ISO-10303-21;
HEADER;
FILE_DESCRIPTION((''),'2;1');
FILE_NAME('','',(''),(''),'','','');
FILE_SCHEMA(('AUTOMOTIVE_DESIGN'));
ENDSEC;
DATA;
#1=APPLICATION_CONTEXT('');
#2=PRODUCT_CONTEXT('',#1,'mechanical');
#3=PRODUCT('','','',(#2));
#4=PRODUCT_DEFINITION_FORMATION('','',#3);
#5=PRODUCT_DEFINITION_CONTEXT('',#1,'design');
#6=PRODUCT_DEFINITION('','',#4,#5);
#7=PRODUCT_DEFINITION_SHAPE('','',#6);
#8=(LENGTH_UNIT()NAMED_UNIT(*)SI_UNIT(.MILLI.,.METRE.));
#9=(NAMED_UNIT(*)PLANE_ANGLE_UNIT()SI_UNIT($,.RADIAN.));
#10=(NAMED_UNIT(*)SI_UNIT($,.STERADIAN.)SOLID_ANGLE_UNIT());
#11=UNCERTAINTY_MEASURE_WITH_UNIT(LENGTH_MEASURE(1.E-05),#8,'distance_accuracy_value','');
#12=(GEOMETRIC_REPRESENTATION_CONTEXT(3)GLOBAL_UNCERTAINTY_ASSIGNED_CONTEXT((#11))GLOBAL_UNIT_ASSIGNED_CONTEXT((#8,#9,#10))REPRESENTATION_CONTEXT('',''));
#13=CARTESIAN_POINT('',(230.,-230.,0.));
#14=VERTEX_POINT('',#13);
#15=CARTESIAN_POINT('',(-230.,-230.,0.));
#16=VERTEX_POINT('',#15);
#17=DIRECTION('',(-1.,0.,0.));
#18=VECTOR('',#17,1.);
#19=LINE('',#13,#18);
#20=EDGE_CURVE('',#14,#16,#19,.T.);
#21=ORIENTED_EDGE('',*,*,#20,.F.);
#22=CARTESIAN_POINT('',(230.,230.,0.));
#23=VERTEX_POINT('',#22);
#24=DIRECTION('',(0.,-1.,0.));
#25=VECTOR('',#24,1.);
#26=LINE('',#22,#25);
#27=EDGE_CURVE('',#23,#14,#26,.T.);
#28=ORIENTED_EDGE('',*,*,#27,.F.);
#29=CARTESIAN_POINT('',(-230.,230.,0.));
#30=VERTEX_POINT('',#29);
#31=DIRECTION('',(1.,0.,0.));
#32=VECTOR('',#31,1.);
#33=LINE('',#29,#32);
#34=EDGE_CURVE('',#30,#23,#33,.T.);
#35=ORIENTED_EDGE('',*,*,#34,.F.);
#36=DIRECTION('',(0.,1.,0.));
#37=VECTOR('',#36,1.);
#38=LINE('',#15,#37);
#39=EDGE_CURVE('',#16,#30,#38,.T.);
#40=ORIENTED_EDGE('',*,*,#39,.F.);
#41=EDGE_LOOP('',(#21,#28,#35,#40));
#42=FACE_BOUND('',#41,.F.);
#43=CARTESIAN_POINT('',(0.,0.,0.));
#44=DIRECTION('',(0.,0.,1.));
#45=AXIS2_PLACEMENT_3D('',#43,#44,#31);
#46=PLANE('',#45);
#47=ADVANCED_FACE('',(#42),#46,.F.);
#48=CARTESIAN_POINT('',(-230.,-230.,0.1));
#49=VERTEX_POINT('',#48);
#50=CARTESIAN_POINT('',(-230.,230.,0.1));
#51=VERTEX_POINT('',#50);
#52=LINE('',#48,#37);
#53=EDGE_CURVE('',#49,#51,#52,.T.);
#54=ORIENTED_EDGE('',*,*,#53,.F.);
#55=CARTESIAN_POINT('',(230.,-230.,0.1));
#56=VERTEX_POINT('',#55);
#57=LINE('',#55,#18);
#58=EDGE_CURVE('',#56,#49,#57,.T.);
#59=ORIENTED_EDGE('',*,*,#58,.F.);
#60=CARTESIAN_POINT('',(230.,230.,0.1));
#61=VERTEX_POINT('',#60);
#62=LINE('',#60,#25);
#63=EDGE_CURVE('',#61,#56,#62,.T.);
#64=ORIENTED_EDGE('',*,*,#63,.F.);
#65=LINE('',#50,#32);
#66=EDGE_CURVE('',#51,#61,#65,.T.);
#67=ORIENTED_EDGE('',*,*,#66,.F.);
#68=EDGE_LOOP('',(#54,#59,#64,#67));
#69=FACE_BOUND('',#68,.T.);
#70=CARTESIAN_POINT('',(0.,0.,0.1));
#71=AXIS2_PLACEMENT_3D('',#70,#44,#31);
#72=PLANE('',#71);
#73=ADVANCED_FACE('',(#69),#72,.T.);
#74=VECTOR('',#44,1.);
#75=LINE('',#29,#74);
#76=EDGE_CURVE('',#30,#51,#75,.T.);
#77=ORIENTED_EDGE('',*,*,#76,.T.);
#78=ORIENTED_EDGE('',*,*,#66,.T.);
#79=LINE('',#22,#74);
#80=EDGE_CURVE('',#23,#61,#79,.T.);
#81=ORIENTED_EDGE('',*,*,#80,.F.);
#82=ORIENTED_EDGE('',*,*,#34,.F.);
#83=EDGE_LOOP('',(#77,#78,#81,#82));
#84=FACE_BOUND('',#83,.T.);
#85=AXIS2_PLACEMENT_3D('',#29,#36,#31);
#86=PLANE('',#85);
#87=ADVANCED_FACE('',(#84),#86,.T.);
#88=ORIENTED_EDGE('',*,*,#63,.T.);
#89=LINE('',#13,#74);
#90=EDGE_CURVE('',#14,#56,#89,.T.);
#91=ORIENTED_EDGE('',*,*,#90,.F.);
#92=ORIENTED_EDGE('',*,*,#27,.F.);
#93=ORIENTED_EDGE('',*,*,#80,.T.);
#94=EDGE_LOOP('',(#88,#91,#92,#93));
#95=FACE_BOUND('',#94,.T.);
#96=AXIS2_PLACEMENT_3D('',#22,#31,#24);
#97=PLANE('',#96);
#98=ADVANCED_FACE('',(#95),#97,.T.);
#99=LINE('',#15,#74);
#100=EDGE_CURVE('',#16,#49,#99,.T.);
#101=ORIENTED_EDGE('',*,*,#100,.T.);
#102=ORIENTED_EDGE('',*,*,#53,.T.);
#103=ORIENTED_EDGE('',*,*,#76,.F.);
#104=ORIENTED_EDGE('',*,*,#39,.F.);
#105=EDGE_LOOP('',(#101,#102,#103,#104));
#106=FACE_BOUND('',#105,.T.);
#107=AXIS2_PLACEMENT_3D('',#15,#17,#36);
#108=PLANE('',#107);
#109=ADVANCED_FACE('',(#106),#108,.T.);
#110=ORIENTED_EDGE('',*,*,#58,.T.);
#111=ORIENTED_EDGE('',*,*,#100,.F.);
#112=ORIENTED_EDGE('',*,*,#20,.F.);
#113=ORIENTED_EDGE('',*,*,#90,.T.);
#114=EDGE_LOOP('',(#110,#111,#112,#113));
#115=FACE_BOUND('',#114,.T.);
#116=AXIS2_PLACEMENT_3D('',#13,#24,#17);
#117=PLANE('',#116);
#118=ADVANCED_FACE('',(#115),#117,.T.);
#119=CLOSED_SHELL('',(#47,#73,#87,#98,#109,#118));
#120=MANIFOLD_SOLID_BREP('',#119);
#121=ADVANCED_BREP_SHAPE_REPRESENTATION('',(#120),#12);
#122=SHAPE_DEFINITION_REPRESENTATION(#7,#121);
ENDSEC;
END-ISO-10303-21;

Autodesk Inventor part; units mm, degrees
ref_plane "YZ Plane" through (0, 0, 0) normal (1, 0, 0) x (0, 1, 0)
ref_plane "XZ Plane" through (0, 0, 0) normal (0, 1, 0) x (-1, 0, 0)
ref_plane "XY Plane" through (0, 0, 0) normal (0, 0, 1) x (1, 0, 0)
sketch "Skizze2" plane through (0, 0, 0) normal (0, 0, 1) x (1, 0, 0)
  line L0 (-230, 230) -> (230, 230)
  line L1 (230, 230) -> (230, -230)
  line L2 (230, -230) -> (-230, -230)
  line L3 (-230, -230) -> (-230, 230)
  point P0 (0, 0)
  point P1 (0, 230)
  point P2 (-230, 0)
  dimension "d0" = 460
  dimension "d1" = 460
extrude "Extrusion1" add sketch "Skizze2" along normal blind 0.1
properties part number "Diffusionsfolie 460x460" material "PA 6.6"
